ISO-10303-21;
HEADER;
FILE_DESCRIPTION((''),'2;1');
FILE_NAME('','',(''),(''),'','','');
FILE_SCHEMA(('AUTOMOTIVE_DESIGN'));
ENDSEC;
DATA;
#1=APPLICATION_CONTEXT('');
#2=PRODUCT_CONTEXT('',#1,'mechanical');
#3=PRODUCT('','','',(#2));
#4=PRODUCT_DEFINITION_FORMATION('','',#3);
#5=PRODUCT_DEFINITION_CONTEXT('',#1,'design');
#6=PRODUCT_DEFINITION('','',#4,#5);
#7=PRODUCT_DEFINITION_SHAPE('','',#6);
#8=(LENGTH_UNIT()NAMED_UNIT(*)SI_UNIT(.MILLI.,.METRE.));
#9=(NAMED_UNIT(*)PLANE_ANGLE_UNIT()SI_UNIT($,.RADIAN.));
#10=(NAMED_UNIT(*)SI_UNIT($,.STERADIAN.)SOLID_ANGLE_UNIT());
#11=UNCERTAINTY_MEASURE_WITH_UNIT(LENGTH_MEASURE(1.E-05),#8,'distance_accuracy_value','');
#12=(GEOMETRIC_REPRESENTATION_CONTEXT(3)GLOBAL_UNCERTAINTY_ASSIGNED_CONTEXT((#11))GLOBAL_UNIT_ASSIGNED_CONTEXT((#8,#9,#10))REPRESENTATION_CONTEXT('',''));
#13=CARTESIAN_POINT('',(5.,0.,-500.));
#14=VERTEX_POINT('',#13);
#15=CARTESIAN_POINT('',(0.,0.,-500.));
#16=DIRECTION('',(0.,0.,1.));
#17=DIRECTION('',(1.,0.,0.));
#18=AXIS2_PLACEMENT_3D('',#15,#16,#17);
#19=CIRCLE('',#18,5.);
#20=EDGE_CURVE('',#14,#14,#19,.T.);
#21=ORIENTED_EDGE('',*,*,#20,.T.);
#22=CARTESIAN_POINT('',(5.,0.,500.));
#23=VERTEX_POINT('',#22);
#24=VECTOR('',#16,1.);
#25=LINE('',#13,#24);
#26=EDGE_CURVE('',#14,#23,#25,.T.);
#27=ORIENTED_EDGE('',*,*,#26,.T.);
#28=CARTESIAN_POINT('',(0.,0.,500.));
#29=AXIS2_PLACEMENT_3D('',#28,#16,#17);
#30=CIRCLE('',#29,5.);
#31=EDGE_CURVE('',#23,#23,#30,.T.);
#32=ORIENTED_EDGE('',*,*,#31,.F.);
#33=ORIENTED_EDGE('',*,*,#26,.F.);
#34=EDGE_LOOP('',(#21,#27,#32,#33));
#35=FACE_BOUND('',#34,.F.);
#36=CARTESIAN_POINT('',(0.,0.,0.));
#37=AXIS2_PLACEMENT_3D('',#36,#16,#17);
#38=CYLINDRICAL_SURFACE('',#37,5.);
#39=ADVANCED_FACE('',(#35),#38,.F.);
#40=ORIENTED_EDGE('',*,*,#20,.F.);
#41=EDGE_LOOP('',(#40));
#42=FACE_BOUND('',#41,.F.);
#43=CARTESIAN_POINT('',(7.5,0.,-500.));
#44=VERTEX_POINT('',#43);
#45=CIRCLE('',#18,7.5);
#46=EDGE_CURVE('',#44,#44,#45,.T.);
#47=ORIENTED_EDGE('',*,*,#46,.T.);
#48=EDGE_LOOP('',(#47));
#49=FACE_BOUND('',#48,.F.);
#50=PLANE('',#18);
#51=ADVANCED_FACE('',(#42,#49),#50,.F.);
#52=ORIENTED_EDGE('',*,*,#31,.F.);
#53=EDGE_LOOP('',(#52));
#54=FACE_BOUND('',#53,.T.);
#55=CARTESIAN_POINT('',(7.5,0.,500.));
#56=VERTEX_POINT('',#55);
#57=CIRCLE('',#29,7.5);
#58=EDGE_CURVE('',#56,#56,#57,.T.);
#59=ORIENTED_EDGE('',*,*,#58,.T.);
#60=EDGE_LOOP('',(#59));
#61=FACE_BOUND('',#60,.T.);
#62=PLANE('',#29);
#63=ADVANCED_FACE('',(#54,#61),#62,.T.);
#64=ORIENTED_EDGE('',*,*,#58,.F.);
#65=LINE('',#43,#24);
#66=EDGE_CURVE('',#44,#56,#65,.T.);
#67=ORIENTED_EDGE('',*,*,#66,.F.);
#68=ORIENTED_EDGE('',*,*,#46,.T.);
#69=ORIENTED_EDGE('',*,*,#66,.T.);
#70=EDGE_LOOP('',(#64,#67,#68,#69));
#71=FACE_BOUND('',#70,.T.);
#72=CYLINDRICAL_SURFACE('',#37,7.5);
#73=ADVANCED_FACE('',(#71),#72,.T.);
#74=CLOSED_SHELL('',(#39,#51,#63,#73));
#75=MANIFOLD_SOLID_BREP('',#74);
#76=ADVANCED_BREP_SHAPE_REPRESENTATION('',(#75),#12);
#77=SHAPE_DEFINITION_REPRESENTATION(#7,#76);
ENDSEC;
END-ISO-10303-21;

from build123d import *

# Parameters (mm, degrees)
F0_R     = 7.5
F1_DEPTH = 500
F2_R     = 5
F3_DEPTH = 500


with BuildPart() as f1:
    # F0 (on Top) → F1 (new body, symmetric)
    with BuildSketch(Plane.XY):
        Circle(F0_R)
    extrude(amount=F1_DEPTH, both=True)

    # F2 (on Top) → F3 (cut, symmetric)
    with BuildSketch(Plane.XY):
        Circle(F2_R)
    extrude(amount=F3_DEPTH, both=True, mode=Mode.SUBTRACT)


solid = f1.part
